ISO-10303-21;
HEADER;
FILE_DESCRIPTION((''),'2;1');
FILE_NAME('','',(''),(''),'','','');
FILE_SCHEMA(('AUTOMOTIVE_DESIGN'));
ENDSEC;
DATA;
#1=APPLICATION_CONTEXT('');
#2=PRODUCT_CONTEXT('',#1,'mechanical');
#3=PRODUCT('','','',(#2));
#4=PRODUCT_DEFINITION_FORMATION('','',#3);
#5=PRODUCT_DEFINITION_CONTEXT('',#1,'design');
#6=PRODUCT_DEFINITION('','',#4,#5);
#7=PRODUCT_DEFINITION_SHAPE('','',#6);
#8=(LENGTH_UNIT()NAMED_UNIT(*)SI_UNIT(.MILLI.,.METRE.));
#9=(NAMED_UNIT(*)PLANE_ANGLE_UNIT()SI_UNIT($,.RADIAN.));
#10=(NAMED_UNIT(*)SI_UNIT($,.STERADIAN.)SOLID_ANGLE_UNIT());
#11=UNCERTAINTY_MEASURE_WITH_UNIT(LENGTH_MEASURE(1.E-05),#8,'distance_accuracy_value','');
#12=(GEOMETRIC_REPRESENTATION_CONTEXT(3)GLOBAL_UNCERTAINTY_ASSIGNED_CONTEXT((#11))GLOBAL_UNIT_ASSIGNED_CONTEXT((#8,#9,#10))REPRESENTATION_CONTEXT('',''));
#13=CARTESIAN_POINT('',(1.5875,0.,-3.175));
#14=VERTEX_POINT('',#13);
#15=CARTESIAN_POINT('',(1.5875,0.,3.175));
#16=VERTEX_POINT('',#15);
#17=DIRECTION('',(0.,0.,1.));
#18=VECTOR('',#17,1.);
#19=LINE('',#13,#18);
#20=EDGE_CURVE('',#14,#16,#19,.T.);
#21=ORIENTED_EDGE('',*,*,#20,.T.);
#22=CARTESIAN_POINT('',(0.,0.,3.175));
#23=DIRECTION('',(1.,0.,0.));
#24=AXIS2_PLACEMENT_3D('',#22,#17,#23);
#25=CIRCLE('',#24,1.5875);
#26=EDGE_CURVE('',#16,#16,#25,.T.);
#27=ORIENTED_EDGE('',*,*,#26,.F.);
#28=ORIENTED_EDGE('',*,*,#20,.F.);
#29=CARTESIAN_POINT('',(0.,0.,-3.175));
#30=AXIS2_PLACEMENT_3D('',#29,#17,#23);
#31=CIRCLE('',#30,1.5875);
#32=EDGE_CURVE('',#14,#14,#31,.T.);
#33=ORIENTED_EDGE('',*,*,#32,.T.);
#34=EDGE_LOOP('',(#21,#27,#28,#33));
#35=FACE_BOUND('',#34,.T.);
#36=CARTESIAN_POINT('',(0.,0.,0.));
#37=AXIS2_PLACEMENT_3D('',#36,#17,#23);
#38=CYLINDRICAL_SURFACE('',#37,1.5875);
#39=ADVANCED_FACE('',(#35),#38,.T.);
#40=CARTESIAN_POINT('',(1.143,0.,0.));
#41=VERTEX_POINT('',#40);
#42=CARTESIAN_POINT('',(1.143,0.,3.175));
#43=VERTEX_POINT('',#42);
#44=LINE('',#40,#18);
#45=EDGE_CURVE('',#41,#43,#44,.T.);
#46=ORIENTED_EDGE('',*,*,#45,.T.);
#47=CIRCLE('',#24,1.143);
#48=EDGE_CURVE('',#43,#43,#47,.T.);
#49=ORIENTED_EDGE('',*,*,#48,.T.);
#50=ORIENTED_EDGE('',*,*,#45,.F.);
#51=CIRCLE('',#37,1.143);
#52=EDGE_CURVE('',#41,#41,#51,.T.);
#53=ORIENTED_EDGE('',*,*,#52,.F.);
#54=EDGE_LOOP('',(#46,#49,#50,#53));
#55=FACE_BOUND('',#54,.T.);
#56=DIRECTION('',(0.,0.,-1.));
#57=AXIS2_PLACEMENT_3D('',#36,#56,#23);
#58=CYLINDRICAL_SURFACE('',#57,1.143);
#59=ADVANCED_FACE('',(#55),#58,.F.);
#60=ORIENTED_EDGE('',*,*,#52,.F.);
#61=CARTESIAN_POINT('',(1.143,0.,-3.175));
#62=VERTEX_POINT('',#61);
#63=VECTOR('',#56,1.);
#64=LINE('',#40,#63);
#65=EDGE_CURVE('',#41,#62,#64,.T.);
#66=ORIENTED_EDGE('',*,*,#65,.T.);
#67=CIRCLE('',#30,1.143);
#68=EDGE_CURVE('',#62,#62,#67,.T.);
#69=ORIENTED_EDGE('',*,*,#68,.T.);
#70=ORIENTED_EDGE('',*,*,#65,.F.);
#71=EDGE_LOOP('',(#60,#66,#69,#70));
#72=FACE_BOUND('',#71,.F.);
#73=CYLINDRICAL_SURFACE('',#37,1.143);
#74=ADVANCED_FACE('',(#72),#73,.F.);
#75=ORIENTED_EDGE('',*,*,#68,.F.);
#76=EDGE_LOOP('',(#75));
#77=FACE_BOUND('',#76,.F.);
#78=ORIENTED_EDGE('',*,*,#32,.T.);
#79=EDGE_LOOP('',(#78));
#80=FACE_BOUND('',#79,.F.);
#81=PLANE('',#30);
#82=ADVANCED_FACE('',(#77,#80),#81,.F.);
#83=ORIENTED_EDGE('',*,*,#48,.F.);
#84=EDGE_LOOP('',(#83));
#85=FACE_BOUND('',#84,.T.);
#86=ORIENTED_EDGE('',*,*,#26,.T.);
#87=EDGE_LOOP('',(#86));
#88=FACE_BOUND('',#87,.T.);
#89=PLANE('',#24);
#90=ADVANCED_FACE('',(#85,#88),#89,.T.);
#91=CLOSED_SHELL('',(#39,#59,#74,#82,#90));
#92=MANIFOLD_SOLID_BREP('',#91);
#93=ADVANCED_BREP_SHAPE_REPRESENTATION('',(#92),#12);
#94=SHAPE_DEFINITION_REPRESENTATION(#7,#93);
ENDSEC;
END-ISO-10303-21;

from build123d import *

# Parameters (mm, degrees)
SKETCH1_R           = 1.5875
SKETCH1_R_2         = 1.143
EXTRUDE1_DEPTH      = 3.175
EXTRUDE1_DEPTH_BACK = 3.175


with BuildPart() as part:
    # Sketch1 → Extrude1 (new body, two sides)
    with BuildSketch(Plane.XY) as extrude1_sk:
        Circle(SKETCH1_R)
        Circle(SKETCH1_R_2, mode=Mode.SUBTRACT)
    extrude(amount=EXTRUDE1_DEPTH)
    extrude(extrude1_sk.sketch, amount=-EXTRUDE1_DEPTH_BACK)


solid = part.part
